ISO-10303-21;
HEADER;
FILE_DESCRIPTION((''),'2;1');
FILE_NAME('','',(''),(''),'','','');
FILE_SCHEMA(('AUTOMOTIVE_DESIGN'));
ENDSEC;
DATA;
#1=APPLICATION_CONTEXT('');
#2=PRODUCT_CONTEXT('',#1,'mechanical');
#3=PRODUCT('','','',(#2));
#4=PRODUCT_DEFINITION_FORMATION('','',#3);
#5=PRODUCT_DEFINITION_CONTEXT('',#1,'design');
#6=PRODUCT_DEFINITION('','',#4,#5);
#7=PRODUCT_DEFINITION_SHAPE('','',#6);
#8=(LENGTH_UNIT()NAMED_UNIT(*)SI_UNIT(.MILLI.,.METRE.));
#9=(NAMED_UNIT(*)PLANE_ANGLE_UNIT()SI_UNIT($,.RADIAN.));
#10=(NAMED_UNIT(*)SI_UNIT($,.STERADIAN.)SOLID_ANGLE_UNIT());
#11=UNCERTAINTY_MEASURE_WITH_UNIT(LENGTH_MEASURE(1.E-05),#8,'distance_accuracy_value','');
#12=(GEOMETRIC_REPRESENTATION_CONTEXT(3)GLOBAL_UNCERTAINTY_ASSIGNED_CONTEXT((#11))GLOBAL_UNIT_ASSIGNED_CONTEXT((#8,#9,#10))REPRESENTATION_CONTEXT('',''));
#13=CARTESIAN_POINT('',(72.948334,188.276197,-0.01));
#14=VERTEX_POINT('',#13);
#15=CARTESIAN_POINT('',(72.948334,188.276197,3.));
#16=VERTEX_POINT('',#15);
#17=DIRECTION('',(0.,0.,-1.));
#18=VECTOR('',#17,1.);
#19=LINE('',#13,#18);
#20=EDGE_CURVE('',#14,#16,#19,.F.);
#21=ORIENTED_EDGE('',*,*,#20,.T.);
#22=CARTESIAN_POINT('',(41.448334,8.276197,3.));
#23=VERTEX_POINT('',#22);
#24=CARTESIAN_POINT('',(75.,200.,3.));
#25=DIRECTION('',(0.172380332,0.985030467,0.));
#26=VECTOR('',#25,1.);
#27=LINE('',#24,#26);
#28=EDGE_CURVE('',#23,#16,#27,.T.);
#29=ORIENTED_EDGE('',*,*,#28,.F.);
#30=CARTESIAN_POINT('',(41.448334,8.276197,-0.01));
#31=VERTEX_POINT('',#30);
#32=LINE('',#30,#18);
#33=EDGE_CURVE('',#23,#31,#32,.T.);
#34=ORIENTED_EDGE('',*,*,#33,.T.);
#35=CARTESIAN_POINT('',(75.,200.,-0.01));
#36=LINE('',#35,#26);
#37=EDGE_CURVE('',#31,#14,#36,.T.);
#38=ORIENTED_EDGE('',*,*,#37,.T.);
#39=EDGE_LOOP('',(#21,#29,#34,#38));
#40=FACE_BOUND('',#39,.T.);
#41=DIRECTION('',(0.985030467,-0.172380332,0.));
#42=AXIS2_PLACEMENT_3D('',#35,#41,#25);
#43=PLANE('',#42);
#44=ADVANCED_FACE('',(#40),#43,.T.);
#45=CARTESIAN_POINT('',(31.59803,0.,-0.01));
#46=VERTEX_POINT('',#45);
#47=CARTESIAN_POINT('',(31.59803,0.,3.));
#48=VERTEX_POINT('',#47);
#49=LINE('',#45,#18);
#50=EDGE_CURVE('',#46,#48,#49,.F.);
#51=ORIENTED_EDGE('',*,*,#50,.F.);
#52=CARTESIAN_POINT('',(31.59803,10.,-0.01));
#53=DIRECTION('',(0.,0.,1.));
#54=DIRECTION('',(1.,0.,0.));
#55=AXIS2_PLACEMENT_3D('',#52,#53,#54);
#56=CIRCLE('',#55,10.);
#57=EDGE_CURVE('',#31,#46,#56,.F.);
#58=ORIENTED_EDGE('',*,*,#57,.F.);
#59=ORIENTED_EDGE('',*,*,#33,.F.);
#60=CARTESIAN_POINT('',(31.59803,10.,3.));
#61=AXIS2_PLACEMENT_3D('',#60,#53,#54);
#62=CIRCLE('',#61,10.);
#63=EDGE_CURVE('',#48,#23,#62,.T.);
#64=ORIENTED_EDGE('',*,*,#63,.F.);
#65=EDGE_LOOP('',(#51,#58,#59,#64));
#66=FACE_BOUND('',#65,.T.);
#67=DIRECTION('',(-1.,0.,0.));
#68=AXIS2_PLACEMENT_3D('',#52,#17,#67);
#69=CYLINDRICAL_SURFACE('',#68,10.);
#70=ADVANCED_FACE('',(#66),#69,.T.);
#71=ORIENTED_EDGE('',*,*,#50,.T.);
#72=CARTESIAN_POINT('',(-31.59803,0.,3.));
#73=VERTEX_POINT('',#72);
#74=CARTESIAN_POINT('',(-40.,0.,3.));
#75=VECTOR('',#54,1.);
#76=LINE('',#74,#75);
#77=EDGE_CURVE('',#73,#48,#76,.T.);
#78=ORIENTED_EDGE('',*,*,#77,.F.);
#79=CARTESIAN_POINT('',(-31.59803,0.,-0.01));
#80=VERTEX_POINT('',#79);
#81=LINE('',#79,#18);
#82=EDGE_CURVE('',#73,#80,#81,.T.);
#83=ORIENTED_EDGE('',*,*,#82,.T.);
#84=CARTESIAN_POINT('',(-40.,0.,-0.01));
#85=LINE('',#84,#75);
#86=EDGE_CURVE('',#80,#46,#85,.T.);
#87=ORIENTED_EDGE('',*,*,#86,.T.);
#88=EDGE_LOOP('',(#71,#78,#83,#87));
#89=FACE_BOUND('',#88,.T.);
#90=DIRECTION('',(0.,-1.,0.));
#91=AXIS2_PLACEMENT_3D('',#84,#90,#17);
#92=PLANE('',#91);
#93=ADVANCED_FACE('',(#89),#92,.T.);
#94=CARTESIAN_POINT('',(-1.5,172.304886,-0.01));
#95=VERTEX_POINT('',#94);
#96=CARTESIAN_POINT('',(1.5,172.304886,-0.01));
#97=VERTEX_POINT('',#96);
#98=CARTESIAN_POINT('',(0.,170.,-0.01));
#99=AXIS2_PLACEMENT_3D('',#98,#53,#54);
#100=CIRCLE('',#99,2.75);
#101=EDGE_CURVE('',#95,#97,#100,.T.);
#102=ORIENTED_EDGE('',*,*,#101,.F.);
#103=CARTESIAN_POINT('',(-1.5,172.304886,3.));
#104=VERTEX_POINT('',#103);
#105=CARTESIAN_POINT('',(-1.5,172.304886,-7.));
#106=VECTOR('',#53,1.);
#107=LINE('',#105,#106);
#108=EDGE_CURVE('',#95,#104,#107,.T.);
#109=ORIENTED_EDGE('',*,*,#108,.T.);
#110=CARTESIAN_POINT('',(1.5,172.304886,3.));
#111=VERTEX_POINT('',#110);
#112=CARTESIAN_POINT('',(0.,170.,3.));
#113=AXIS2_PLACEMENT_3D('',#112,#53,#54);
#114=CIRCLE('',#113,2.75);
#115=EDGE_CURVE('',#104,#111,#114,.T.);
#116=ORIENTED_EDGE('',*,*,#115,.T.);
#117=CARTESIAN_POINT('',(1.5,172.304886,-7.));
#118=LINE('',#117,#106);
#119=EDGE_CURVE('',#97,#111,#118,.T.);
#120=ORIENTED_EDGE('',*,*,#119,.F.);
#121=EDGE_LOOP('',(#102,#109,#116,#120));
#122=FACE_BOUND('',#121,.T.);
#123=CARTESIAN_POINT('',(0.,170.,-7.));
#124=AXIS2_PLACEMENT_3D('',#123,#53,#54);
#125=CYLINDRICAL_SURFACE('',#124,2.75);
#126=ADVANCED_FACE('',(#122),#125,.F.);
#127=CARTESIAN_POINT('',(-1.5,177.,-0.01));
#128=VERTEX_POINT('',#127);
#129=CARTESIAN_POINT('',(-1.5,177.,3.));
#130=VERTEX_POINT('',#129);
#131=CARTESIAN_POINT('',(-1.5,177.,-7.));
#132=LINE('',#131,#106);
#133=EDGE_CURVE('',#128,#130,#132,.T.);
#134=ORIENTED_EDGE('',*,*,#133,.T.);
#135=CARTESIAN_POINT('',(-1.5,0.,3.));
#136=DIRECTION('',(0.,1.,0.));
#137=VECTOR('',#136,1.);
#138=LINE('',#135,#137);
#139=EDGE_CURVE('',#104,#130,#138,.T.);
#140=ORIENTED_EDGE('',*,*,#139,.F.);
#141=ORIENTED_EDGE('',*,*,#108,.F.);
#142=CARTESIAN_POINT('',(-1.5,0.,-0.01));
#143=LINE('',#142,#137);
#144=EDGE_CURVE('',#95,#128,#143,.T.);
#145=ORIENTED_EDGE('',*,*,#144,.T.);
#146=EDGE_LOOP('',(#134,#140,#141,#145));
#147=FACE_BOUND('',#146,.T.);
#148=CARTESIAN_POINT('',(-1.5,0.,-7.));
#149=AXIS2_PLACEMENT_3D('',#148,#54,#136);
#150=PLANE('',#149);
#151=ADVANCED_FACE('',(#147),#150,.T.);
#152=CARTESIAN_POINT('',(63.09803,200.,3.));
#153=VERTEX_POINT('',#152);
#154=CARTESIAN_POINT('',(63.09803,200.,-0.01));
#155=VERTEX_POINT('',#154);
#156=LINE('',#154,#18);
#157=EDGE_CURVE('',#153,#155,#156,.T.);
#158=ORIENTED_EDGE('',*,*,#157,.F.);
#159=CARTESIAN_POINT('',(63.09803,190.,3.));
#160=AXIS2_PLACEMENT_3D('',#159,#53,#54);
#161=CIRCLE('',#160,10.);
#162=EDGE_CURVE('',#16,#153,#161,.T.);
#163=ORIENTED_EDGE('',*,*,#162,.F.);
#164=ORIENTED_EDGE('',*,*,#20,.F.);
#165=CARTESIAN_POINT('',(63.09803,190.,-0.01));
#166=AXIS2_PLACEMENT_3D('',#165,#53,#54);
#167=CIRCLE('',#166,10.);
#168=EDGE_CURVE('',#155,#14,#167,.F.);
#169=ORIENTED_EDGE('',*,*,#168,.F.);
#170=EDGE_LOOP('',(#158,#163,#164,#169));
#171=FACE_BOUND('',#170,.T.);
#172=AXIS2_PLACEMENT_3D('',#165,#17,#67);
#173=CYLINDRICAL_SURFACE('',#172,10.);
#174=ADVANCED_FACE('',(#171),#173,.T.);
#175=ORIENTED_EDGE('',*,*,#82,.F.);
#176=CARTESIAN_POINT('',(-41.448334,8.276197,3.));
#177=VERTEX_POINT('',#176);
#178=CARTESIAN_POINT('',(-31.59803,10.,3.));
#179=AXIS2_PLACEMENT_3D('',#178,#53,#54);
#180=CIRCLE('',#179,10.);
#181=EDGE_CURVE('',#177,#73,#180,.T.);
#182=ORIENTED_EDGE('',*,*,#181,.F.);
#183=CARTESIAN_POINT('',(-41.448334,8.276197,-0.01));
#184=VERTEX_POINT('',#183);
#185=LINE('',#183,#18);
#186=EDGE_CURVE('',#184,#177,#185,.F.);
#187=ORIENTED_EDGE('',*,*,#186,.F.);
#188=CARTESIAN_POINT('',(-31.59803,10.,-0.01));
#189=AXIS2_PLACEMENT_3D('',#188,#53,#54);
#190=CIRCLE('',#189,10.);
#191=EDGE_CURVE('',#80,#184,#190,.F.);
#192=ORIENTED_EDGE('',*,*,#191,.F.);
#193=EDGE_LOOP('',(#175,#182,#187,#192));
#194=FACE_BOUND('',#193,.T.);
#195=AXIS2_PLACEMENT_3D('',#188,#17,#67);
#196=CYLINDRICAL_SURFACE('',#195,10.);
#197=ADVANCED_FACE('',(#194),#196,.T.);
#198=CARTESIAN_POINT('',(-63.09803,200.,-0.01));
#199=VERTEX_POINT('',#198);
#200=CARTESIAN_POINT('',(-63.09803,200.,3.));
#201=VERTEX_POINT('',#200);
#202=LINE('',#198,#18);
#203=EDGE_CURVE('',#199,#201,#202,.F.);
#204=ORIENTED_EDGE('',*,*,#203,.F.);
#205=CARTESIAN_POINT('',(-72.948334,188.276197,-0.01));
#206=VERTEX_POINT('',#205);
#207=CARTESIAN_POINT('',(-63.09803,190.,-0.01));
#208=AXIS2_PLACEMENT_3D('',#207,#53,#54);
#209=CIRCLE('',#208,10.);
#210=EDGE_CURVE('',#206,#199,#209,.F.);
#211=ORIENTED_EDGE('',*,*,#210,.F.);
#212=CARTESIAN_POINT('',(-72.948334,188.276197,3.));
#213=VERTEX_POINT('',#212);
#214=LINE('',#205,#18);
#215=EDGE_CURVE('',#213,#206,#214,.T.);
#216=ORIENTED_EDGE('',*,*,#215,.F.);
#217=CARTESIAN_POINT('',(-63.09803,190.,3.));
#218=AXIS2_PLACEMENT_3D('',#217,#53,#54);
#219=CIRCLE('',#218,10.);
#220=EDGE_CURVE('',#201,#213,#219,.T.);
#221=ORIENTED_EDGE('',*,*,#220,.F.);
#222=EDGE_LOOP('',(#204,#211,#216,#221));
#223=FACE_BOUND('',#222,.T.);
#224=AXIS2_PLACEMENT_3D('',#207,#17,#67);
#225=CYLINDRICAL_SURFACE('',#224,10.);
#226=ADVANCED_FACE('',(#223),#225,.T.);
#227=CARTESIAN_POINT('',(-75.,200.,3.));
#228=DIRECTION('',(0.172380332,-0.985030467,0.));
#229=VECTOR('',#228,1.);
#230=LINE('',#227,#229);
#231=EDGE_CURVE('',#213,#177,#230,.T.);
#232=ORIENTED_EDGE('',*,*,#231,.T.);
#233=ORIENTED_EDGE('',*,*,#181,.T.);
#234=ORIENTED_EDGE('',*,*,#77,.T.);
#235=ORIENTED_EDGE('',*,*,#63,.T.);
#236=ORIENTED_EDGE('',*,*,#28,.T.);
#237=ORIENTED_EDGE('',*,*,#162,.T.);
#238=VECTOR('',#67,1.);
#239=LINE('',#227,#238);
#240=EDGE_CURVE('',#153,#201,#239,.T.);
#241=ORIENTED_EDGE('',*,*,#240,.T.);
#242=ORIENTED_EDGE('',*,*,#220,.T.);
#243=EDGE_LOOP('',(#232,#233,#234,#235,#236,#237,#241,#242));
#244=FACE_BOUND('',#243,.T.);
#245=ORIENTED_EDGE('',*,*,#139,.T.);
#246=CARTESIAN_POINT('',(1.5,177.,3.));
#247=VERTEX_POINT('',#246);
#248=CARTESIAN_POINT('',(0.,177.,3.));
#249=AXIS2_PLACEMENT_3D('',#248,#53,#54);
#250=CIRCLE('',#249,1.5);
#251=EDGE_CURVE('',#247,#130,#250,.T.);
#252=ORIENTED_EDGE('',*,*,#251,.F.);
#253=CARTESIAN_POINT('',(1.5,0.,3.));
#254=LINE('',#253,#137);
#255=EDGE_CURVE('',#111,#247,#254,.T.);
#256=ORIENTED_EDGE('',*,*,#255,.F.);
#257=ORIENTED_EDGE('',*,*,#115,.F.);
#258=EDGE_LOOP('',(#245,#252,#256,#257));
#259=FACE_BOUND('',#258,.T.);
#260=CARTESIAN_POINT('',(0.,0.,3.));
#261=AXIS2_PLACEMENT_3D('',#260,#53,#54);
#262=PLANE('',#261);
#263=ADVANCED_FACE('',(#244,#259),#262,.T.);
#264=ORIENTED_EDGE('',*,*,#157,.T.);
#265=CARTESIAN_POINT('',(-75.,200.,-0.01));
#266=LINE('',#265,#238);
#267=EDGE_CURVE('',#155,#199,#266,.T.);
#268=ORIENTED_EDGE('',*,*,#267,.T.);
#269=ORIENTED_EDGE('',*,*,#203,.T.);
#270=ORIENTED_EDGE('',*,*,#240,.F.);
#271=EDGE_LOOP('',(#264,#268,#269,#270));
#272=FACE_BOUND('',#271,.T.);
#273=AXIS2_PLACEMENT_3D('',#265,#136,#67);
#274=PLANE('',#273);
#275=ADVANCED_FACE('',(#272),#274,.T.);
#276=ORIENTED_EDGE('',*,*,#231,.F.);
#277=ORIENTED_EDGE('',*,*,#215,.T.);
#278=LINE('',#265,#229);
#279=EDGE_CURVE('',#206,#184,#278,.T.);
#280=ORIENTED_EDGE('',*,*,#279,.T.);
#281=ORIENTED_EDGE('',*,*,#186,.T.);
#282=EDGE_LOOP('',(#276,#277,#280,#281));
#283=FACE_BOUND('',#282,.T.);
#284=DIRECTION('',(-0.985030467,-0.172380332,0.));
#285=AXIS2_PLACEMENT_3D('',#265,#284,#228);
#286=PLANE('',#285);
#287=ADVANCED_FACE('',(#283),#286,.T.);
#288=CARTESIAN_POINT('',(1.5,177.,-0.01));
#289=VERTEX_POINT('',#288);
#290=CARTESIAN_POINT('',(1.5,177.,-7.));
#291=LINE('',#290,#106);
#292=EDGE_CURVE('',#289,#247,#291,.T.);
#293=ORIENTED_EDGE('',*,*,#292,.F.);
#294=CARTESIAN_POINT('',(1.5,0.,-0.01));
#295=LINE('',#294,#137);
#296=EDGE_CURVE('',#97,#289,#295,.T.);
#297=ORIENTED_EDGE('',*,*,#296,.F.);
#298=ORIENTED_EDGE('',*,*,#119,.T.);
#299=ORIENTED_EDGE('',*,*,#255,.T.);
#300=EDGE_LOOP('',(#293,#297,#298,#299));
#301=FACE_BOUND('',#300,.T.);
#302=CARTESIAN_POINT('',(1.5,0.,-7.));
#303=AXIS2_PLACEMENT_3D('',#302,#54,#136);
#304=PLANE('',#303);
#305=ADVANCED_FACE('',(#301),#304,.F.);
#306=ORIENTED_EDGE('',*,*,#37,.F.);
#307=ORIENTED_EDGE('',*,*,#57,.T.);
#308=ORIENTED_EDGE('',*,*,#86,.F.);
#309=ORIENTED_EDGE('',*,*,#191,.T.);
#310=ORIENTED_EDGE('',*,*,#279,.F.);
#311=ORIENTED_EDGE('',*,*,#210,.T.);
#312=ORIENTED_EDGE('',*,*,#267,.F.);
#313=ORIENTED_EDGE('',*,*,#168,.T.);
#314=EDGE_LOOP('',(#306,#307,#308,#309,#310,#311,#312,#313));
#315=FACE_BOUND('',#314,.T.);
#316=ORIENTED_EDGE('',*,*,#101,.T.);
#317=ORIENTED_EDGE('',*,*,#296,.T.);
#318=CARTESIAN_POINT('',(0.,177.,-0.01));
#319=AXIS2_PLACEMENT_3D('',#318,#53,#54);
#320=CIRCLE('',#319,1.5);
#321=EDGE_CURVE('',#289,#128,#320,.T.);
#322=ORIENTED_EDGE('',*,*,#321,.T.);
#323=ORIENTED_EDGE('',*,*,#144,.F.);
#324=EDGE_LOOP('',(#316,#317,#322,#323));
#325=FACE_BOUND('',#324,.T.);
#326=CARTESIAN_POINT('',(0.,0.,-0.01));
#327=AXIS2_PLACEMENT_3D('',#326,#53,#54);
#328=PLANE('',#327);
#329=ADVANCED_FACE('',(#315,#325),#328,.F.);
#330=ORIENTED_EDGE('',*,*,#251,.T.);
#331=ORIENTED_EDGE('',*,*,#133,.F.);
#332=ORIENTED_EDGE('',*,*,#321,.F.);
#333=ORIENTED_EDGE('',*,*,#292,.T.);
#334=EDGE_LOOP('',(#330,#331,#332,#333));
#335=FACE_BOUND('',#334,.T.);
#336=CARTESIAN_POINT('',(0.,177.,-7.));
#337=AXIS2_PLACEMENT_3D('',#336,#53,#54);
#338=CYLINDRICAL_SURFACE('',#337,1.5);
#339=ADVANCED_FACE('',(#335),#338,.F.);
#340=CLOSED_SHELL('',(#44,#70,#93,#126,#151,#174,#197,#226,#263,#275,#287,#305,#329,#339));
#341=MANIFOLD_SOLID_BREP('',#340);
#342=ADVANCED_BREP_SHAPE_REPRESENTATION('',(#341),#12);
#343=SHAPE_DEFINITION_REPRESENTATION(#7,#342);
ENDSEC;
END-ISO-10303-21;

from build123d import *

# Parameters (mm, degrees)
BOSS_EXTRUDE1_DEPTH      = 3
BOSS_EXTRUDE1_DEPTH_BACK = 0.01
FILLET1_R                = 10
FILLET2_R                = 10
FILLET3_R                = 10
FILLET4_R                = 10
CUT_EXTRUDE8_DEPTH       = 10


with BuildPart() as part:
    # Sketch1 → Boss-Extrude1 (new, two sides: drawn at the far end of the back side and taken through both)
    with BuildSketch(Plane.XY.offset(-BOSS_EXTRUDE1_DEPTH_BACK)):
        Polygon((-40, 0), (40, 0), (75, 200), (-75, 200), align=None)
    extrude(amount=BOSS_EXTRUDE1_DEPTH + BOSS_EXTRUDE1_DEPTH_BACK)

    # Fillet1
    fillet1_edges = [part.edges().sort_by_distance(p)[0] for p in [
        (75, 200, 1.495),
    ]]
    fillet(fillet1_edges, radius=FILLET1_R)

    # Fillet2
    fillet2_edges = [part.edges().sort_by_distance(p)[0] for p in [
        (40, 0, 1.495),
    ]]
    fillet(fillet2_edges, radius=FILLET2_R)

    # Fillet3
    fillet3_edges = [part.edges().sort_by_distance(p)[0] for p in [
        (-40, 0, 1.495),
    ]]
    fillet(fillet3_edges, radius=FILLET3_R)

    # Fillet4
    fillet4_edges = [part.edges().sort_by_distance(p)[0] for p in [
        (-75, 200, 1.495),
    ]]
    fillet(fillet4_edges, radius=FILLET4_R)

    # Sketch4 → Cut-Extrude8 (cut)
    with BuildSketch(Plane.XY.offset(3)):
        with BuildLine():
            Line((-1.5, 177), (-1.5, 172.304886114))
            ThreePointArc((-1.5, 172.304886114), (0, 172.75), (1.5, 172.304886114))
            Line((1.5, 172.304886114), (1.5, 177))
            ThreePointArc((1.5, 177), (0, 178.5), (-1.5, 177))
        make_face()
        with BuildLine():
            ThreePointArc((1.5, 170), (0, 168.5), (-1.5, 170))
            Line((-1.5, 170), (-1.5, 172.304886114))
            ThreePointArc((-1.5, 172.304886114), (-1.31101106, 167.582615049), (2.75, 170))
            ThreePointArc((2.75, 170), (2.417384951, 171.31101106), (1.5, 172.304886114))
            Line((1.5, 172.304886114), (1.5, 170))
        make_face()
        with BuildLine():
            Line((-1.5, 172.304886114), (-1.5, 170))
            ThreePointArc((-1.5, 170), (0, 168.5), (1.5, 170))
            Line((1.5, 170), (1.5, 172.304886114))
            ThreePointArc((1.5, 172.304886114), (0, 172.75), (-1.5, 172.304886114))
        make_face()
    extrude(amount=-CUT_EXTRUDE8_DEPTH, mode=Mode.SUBTRACT)


solid = part.part
